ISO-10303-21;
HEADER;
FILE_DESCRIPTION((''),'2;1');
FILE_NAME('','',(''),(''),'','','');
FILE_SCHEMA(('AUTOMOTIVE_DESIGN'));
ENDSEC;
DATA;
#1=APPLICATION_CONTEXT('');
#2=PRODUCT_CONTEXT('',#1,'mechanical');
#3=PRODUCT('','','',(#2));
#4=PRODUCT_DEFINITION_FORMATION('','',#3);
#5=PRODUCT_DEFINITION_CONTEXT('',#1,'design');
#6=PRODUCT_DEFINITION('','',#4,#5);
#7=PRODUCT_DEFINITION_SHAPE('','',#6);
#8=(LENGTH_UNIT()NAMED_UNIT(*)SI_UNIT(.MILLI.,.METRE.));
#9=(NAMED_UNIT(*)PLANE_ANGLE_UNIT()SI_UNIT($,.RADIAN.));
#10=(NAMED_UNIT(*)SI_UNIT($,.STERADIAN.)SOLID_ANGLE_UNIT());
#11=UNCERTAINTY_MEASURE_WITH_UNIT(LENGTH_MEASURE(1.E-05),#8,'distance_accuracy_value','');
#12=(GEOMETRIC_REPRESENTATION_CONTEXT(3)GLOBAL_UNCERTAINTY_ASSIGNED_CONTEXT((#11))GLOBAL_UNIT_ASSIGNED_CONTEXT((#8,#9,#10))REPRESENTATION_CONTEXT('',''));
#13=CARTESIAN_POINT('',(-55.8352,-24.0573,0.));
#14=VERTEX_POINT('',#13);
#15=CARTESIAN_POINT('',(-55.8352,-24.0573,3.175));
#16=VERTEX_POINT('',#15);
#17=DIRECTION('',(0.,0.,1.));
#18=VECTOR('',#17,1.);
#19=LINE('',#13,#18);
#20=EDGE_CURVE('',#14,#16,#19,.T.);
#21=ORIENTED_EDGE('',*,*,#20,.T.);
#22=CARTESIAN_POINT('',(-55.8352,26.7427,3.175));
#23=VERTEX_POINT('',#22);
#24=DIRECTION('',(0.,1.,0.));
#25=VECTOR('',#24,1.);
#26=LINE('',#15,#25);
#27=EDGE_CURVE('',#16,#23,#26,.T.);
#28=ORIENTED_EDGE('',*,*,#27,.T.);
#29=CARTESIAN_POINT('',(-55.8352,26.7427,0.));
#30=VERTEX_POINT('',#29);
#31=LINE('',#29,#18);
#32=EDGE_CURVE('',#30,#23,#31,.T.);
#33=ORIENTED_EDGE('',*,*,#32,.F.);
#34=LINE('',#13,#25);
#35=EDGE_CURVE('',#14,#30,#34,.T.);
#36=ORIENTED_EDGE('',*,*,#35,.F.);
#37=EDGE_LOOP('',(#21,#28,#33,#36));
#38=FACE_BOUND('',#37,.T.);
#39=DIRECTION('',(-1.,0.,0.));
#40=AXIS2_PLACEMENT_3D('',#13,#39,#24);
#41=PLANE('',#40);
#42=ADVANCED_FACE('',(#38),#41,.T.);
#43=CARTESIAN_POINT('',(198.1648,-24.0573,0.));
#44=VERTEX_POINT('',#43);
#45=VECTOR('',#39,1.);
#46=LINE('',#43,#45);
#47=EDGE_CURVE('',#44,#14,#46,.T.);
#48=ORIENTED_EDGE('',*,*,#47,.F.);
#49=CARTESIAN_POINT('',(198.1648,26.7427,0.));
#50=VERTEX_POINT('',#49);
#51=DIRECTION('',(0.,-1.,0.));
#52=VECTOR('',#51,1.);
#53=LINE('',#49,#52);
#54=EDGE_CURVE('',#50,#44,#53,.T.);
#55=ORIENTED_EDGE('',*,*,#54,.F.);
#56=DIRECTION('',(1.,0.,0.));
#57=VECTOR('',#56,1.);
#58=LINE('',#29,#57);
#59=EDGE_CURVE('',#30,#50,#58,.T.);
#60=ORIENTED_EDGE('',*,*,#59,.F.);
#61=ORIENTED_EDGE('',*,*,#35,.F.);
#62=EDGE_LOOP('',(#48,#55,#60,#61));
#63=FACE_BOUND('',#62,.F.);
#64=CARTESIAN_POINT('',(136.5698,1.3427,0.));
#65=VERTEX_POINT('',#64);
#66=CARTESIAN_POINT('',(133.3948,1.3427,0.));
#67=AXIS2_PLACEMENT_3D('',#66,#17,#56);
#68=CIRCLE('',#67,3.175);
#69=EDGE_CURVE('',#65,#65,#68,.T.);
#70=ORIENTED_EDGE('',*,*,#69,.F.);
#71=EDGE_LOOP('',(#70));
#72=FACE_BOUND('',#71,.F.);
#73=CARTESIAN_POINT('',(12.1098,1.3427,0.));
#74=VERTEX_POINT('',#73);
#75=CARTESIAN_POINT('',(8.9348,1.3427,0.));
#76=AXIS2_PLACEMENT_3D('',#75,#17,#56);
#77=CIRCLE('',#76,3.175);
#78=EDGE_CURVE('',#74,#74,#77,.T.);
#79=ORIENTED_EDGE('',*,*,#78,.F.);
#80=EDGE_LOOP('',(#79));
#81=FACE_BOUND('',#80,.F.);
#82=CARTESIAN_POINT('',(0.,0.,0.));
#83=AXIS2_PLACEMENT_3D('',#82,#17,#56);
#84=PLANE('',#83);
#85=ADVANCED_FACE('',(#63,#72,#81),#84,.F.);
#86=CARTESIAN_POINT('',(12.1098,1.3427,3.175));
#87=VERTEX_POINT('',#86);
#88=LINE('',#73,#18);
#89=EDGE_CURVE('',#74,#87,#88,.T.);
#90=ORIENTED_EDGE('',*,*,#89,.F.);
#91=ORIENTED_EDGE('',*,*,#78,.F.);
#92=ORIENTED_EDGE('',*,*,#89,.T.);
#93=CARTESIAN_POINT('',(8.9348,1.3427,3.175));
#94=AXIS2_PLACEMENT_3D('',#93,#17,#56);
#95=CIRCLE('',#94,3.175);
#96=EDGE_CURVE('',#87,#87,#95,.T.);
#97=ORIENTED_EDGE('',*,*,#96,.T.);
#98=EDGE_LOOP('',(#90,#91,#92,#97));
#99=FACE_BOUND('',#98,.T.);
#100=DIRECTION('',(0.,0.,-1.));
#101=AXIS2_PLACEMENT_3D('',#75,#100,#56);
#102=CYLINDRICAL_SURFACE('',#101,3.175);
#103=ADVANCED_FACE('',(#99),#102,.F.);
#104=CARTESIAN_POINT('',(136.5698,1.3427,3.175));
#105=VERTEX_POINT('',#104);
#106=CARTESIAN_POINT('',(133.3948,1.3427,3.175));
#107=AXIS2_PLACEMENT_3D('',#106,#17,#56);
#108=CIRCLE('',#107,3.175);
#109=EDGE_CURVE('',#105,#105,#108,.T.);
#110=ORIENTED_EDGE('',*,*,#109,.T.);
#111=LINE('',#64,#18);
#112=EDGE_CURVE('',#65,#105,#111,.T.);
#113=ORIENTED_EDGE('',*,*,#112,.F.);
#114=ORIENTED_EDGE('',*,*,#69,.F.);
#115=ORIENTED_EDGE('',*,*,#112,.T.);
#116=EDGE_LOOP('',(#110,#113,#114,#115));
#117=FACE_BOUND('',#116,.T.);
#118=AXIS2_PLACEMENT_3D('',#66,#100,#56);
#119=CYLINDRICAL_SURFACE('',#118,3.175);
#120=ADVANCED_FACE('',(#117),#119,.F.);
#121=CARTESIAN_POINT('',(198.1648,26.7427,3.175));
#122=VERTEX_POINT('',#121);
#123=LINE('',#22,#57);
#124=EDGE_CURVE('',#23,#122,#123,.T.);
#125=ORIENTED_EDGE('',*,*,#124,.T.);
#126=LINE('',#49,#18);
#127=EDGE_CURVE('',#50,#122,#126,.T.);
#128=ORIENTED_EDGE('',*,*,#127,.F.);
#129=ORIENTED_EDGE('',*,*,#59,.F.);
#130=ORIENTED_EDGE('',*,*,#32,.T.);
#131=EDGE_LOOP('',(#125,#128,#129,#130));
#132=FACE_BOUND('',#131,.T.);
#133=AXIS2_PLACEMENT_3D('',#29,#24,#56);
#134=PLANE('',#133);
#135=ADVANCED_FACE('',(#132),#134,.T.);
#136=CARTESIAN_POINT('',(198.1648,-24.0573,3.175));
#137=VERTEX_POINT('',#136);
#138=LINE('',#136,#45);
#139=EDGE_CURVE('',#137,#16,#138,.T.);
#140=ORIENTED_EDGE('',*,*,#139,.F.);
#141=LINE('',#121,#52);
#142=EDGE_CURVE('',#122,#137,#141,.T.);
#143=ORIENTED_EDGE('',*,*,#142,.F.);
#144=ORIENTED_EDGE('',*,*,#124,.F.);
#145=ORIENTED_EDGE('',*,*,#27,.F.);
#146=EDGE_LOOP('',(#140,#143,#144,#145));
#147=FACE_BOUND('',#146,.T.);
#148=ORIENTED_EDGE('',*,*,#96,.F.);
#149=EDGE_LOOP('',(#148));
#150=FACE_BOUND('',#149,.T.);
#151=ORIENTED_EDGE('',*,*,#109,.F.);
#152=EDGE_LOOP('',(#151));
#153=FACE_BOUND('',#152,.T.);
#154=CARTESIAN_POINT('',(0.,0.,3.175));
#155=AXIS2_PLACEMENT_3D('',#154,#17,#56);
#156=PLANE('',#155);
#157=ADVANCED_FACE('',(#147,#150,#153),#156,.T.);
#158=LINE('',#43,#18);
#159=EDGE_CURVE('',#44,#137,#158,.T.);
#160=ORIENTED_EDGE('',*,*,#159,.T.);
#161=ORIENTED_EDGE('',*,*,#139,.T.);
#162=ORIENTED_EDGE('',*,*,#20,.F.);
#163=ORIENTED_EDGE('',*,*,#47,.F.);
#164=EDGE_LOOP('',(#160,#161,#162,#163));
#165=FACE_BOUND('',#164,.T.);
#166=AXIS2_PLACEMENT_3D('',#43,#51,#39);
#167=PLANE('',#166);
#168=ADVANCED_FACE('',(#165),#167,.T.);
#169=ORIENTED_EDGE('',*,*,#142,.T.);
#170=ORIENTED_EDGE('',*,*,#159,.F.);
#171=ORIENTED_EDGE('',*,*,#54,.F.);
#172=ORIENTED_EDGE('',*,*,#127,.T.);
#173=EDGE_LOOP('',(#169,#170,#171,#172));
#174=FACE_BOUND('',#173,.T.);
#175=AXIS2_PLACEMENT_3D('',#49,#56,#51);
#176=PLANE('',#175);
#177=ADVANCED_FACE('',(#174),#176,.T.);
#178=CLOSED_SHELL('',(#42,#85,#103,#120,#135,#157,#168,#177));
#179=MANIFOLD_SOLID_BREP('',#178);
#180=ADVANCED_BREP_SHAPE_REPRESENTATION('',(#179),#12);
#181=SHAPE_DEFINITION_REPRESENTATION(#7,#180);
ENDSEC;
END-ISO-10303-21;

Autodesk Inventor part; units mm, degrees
ref_plane "YZ Plane" through (0, 0, 0) normal (1, 0, 0) x (0, 1, 0)
ref_plane "XZ Plane" through (0, 0, 0) normal (0, 1, 0) x (-1, 0, 0)
ref_plane "XY Plane" through (0, 0, 0) normal (0, 0, 1) x (1, 0, 0)
sketch "Sketch1" plane through (0, 0, 0) normal (0, 0, 1) x (1, 0, 0)
  line L0 (-55.8352, 26.7427) -> (198.1648, 26.7427)
  line L1 (198.1648, 26.7427) -> (198.1648, -24.0573)
  line L2 (198.1648, -24.0573) -> (-55.8352, -24.0573)
  line L3 (-55.8352, -24.0573) -> (-55.8352, 26.7427)
  circle A0 centre (8.9348, 1.3427) radius 3.175
  circle A1 centre (133.3948, 1.3427) radius 3.175
  point P0 (0, 0)
  dimension "d0" = 50.8
  dimension "d1" = 254
  dimension "d2" = 124.46
  dimension "d3" = 6.35
  dimension "d4" = 6.35
  dimension "d5" = 25.4
  dimension "d6" = 25.4
  dimension "d8" = 64.77
extrude "Extrusion1" add sketch "Sketch1" along normal blind 3.175
ref_plane "Work Plane1" through (71.1648, -24.0573, 0) normal (1, 0, 0) x (0, 0, -1)
equation "\"d5\" = 0.5 * d0"
equation "\"d6\" = 0.5 * d0"
equation "\"d8\" = -0.5 * d2 + 0.5 * d1"
properties part number "Wheel Posts Mount"
